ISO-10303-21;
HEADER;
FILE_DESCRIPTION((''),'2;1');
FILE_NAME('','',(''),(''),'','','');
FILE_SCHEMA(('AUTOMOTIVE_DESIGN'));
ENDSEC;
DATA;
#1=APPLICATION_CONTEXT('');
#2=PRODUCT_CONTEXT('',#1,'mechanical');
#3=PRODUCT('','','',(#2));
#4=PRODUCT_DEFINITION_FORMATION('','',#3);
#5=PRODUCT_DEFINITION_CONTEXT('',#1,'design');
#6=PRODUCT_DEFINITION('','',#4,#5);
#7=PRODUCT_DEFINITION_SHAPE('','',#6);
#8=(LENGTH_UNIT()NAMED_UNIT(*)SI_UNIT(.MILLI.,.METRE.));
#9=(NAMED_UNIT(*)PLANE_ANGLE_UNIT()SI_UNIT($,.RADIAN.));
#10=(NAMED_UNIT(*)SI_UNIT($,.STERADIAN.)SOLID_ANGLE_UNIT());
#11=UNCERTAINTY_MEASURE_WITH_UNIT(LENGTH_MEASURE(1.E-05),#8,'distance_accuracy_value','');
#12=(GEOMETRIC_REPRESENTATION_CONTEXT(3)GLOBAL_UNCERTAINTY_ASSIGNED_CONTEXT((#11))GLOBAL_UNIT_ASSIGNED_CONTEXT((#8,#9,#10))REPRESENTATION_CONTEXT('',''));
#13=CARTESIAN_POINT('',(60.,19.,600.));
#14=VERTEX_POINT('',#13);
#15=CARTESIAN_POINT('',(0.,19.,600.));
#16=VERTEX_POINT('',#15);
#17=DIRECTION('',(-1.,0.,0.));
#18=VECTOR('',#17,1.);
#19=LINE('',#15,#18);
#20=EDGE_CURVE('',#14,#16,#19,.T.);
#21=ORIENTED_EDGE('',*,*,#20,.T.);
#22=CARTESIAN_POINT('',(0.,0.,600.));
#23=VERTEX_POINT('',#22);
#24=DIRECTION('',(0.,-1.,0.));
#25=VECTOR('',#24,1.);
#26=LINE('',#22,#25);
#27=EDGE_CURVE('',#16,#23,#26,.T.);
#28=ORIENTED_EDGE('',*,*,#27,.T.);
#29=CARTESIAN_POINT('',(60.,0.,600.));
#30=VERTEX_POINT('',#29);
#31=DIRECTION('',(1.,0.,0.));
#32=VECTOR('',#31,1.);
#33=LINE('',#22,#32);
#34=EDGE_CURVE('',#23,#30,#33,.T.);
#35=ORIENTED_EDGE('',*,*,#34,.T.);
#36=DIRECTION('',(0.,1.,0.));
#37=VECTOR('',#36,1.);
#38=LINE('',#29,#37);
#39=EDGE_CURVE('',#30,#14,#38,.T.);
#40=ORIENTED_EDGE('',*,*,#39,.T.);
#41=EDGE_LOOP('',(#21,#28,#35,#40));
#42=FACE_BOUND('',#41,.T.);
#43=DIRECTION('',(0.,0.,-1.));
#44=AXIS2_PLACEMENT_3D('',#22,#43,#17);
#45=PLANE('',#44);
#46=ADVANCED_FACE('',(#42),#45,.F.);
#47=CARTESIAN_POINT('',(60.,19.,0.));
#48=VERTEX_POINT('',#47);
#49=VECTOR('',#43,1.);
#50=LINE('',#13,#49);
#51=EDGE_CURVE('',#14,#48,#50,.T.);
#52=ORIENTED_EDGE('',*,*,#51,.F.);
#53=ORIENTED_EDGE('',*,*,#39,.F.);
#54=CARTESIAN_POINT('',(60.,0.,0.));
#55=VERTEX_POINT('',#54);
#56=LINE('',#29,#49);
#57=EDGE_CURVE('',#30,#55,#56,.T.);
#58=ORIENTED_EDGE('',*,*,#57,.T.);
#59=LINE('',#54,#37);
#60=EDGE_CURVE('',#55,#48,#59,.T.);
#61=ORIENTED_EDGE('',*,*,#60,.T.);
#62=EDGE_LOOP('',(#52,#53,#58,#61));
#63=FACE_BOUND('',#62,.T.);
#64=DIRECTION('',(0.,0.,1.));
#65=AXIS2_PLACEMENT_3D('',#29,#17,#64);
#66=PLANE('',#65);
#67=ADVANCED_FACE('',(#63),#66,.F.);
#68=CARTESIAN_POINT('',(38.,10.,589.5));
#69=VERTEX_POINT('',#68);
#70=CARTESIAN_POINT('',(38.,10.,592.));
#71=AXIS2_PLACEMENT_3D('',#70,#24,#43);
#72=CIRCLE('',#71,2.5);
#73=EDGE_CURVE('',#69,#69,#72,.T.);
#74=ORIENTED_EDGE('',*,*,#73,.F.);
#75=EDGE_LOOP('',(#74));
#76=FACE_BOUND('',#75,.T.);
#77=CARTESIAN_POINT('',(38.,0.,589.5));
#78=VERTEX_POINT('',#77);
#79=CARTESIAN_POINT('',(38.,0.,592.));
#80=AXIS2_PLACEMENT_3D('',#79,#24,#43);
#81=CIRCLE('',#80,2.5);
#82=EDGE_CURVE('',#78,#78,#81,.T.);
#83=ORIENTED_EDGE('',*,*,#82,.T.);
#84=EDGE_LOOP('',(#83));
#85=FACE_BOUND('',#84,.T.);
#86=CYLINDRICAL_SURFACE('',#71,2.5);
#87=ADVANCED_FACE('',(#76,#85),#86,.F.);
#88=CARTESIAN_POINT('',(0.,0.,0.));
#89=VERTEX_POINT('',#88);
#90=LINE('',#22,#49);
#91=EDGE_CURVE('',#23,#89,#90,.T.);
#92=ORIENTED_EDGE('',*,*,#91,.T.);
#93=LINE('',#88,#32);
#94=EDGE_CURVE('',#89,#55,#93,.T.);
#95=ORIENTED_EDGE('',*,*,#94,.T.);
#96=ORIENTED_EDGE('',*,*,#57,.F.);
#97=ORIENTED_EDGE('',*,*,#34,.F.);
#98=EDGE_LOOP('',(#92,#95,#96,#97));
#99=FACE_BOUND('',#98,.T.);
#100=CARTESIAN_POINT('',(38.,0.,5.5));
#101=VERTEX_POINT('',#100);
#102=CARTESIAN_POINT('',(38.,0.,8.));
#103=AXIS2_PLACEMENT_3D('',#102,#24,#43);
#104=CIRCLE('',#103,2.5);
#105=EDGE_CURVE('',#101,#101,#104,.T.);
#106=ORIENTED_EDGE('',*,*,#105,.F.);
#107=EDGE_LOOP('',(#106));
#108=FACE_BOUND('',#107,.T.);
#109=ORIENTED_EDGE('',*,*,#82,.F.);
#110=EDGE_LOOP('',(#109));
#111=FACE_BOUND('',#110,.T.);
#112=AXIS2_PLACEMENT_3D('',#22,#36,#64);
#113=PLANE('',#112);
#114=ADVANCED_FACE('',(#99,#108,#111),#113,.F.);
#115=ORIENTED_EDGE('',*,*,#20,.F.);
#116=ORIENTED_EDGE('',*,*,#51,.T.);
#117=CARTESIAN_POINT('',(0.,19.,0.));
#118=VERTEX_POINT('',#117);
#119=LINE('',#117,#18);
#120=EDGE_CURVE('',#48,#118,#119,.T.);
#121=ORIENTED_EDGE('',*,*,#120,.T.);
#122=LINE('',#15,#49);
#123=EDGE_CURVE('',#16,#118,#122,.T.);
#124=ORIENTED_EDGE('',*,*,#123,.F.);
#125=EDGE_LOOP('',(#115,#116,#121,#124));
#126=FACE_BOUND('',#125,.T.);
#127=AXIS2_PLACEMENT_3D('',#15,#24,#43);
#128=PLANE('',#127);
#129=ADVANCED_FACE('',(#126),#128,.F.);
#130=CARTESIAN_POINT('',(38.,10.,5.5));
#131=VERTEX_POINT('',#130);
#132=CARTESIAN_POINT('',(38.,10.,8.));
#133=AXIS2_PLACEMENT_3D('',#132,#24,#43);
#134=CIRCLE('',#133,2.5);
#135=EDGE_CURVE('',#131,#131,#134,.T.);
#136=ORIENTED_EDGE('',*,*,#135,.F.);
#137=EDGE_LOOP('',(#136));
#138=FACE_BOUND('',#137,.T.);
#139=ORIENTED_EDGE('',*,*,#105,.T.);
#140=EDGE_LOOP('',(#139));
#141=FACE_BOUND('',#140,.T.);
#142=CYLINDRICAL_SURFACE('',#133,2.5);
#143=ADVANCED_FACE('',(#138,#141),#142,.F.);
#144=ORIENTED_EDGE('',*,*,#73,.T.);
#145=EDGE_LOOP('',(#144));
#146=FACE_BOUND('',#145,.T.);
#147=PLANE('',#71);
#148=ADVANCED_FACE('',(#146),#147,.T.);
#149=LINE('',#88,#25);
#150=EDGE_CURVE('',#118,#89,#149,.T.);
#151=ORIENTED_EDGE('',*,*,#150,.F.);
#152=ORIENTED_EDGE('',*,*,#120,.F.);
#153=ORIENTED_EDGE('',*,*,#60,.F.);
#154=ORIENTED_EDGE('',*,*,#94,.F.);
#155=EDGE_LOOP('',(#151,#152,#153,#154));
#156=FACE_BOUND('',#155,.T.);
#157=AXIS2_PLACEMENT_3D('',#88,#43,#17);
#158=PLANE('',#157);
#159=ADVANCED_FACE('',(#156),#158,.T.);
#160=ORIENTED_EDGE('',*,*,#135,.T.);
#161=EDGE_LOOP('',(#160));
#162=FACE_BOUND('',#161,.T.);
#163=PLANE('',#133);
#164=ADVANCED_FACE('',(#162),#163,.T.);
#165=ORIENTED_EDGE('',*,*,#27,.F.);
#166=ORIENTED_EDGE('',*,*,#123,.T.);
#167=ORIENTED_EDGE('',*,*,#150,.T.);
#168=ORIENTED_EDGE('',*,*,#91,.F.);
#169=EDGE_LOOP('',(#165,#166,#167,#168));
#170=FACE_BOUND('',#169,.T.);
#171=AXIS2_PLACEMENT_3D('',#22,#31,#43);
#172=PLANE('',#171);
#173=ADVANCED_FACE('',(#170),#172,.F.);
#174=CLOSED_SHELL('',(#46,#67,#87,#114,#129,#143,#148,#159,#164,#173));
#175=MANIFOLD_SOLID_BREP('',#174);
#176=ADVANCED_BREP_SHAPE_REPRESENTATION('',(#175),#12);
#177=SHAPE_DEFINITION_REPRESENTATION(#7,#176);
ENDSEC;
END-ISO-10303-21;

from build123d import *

# Parameters (mm, degrees)
SKETCH1_W           = 60
SKETCH1_H           = 19
BOSS_EXTRUDE1_DEPTH = 600
SKETCH2_R           = 2.5
CUT_EXTRUDE1_DEPTH  = 10


with BuildPart() as part:
    # Sketch1 → Boss-Extrude1 (new body)
    with BuildSketch(Plane.XY):
        with Locations((30, 9.5)):
            Rectangle(SKETCH1_W, SKETCH1_H)
    extrude(amount=BOSS_EXTRUDE1_DEPTH)

    # Sketch2 → Cut-Extrude1 (cut)
    with BuildSketch(Plane(origin=(0, 0, 0), x_dir=(-1, 0, 0), z_dir=(0, -1, 0))):
        with Locations(Location((-38, -8, 0), (0, 0, 90))):
            Circle(SKETCH2_R)
        with Locations(Location((-38, -592, 0), (0, 0, 90))):
            Circle(SKETCH2_R)
    extrude(amount=-CUT_EXTRUDE1_DEPTH, mode=Mode.SUBTRACT)


solid = part.part
